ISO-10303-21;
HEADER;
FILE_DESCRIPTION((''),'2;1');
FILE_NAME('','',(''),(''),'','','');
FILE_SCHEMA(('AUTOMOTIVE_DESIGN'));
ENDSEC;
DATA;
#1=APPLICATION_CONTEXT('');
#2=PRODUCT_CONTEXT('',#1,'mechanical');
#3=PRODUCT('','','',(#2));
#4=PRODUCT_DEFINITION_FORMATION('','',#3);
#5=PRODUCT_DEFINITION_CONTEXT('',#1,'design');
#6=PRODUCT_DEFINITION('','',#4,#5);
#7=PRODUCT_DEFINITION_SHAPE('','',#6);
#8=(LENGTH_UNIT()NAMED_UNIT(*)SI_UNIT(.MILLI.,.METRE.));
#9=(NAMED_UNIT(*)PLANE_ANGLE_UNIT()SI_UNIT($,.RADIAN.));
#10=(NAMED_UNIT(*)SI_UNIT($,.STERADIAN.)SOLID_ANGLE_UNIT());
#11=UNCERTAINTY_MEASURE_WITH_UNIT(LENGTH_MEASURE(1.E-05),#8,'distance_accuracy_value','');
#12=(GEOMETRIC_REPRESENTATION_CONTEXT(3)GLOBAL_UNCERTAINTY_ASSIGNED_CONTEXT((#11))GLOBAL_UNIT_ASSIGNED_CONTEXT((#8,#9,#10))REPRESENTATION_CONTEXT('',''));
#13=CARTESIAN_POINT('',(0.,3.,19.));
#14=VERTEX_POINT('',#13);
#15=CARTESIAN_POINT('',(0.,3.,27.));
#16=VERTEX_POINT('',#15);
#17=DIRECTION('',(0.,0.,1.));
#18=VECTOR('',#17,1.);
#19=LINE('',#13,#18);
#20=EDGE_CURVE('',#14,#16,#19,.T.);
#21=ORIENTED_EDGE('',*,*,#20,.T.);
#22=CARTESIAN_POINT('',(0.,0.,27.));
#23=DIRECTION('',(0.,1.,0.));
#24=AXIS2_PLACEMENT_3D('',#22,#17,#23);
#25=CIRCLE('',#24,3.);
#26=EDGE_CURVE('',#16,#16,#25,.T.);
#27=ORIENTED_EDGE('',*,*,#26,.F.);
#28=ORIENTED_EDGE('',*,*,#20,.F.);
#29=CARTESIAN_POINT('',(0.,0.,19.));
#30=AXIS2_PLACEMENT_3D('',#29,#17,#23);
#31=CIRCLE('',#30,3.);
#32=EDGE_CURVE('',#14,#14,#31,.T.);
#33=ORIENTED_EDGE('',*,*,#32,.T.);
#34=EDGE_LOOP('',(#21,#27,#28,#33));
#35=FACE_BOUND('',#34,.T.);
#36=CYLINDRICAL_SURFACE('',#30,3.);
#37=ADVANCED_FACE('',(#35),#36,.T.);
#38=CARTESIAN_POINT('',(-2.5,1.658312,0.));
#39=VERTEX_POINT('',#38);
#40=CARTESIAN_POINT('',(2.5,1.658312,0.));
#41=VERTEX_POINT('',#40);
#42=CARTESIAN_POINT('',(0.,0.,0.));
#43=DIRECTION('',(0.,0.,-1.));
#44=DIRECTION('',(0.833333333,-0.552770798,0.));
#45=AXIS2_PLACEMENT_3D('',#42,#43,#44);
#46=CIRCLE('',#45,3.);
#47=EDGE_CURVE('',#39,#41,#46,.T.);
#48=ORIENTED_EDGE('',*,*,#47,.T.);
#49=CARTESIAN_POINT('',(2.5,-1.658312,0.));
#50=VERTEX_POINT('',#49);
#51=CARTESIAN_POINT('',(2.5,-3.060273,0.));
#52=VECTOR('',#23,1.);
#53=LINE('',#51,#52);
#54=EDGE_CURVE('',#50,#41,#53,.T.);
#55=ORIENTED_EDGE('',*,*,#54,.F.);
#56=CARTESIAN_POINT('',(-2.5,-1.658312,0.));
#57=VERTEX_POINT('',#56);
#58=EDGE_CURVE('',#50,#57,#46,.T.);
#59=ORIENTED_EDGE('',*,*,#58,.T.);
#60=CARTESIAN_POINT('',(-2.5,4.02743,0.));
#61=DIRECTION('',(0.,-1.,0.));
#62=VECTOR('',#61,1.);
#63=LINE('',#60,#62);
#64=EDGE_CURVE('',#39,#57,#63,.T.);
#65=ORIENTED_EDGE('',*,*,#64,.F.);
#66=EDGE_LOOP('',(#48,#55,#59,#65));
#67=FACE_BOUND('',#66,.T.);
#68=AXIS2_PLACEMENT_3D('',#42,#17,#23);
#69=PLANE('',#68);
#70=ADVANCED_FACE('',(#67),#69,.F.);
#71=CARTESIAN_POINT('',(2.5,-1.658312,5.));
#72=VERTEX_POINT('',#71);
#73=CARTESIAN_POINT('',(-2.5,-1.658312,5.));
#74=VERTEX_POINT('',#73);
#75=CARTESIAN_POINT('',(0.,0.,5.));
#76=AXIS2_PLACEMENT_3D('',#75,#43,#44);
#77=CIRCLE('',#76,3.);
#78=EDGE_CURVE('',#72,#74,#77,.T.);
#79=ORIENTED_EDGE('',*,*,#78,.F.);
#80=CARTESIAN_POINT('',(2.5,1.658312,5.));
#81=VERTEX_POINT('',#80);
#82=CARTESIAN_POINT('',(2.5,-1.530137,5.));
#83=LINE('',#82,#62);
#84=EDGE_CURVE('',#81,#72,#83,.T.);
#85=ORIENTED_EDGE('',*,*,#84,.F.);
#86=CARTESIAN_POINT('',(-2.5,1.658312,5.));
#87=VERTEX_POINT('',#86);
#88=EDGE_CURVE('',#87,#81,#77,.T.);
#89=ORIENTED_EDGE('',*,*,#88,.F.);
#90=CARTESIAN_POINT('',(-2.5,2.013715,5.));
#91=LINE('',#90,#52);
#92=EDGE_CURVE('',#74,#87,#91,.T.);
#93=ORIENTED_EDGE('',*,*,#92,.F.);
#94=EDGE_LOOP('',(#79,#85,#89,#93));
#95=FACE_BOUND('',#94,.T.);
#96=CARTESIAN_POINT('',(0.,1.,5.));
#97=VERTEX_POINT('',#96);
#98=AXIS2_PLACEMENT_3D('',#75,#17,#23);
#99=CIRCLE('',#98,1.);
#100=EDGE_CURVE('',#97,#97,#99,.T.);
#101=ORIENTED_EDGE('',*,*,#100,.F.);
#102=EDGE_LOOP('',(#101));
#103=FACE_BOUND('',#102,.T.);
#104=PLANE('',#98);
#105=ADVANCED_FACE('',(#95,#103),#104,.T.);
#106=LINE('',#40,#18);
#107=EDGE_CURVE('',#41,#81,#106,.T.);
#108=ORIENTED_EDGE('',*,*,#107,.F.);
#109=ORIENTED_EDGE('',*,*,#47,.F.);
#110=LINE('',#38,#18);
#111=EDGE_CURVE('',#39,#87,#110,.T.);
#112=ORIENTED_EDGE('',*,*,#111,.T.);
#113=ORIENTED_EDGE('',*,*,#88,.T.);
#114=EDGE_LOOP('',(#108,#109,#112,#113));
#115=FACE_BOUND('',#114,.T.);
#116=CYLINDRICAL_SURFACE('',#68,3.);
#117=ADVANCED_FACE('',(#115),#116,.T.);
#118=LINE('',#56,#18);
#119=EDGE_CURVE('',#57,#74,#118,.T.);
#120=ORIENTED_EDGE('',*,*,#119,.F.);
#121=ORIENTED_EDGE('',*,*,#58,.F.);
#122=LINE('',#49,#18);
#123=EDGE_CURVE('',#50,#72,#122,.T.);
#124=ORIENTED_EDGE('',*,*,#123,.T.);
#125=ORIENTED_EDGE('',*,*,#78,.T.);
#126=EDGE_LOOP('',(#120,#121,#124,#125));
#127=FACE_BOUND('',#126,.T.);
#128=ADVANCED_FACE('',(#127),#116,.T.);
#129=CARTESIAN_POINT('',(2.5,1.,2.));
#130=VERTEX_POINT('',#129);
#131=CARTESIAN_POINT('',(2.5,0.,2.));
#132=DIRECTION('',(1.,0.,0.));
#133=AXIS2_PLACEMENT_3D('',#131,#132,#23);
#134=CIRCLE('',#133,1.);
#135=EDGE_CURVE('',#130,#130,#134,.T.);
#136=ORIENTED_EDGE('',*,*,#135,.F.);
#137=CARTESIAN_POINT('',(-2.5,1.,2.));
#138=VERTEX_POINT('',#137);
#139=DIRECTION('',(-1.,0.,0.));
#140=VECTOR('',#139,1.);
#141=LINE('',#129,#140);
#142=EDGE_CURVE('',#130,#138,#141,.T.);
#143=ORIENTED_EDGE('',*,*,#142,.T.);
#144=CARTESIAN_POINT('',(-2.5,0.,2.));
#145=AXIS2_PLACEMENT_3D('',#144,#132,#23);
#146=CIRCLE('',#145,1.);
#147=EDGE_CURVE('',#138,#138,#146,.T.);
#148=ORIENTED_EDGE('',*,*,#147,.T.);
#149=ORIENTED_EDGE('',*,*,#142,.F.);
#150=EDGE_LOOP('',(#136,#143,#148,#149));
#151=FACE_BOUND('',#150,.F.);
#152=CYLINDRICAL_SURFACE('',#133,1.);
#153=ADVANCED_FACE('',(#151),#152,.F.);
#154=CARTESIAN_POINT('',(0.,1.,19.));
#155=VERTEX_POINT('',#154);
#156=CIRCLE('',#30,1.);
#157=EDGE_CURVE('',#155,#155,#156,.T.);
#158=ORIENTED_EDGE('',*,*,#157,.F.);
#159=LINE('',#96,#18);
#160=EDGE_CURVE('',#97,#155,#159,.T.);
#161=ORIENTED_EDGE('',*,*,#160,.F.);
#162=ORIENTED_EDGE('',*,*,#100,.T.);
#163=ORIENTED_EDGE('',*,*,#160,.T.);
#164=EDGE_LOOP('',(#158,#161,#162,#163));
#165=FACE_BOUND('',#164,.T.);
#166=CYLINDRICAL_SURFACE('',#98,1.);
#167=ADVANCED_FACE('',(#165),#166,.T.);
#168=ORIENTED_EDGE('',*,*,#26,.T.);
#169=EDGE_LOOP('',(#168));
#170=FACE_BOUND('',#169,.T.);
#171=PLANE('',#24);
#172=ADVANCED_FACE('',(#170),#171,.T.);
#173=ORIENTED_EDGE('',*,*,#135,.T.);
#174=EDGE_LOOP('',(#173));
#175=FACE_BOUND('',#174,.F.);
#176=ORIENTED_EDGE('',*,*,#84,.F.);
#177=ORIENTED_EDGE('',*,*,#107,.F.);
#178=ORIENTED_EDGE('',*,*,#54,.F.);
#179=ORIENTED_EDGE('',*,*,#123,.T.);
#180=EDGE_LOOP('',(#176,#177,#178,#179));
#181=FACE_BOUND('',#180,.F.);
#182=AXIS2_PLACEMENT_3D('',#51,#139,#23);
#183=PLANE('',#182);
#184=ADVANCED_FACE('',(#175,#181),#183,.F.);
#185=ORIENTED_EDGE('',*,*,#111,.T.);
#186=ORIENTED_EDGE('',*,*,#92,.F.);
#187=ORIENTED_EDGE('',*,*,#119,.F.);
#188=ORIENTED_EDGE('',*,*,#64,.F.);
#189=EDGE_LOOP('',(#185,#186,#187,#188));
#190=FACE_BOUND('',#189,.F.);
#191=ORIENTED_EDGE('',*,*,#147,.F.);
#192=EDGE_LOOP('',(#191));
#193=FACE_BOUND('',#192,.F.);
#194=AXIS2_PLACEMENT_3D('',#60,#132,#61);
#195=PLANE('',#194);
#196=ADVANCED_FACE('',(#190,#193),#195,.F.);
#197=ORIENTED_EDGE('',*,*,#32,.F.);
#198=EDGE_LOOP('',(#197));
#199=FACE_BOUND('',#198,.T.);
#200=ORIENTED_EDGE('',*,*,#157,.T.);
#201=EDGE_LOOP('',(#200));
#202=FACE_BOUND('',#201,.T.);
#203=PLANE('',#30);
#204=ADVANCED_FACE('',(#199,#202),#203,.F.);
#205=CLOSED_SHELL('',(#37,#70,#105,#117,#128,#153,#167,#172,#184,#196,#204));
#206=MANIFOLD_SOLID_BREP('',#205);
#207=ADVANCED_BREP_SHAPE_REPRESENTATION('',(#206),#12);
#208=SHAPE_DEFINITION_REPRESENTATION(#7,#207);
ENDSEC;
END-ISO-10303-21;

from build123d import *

# Parameters (mm, degrees)
F3_DEPTH = 6
F5_DEPTH = 6
F6_R     = 1
F7_DEPTH = 5.501


with BuildPart() as f1:
    # F0 (on Right) → F1 (revolve)
    with BuildSketch(Plane.YZ):
        Polygon((0, 27), (0, 0), (3, 0), (3, 5), (1, 5), (1, 19), (3, 19), (3, 27), align=None)
    revolve(axis=Axis((0, 0, 14.70128), (0, 0, 1)))

    # F2 (on face) → F3 (cut)
    with BuildSketch(Plane(origin=(0, 0, 0), x_dir=(1, 0, 0), z_dir=(0, 0, -1))):
        with BuildLine():
            Line((2.5, -2.987541), (3.128111, -2.987541))
            Line((3.128111, -2.987541), (3.128111, 3.060273))
            Line((3.128111, 3.060273), (2.5, 3.060273))
            Line((2.5, 3.060273), (2.5, 1.658312))
            ThreePointArc((2.5, 1.658312), (2.872281, 0.866025), (3, 0))
            ThreePointArc((3, 0), (2.872281, -0.866025), (2.5, -1.658312))
            Line((2.5, -1.658312), (2.5, -2.987541))
        make_face()
        with BuildLine():
            Line((2.5, 1.658312), (2.5, -1.658312))
            ThreePointArc((2.5, -1.658312), (2.872281, -0.866025), (3, 0))
            ThreePointArc((3, 0), (2.872281, 0.866025), (2.5, 1.658312))
        make_face()
    extrude(amount=-F3_DEPTH, mode=Mode.SUBTRACT)

    # F4 (on face) → F5 (cut)
    with BuildSketch(Plane(origin=(0, 0, 0), x_dir=(1, 0, 0), z_dir=(0, 0, -1))):
        with BuildLine():
            Line((-5.039785, -4.02743), (-2.5, -4.02743))
            Line((-2.5, -4.02743), (-2.5, -1.658312))
            ThreePointArc((-2.5, -1.658312), (-3, 0), (-2.5, 1.658312))
            Line((-2.5, 1.658312), (-2.5, 4.430752))
            Line((-2.5, 4.430752), (-5.039785, 4.430752))
            Line((-5.039785, 4.430752), (-5.039785, -4.02743))
        make_face()
        with BuildLine():
            ThreePointArc((-2.5, 1.658312), (-3, 0), (-2.5, -1.658312))
            Line((-2.5, -1.658312), (-2.5, 1.658312))
        make_face()
    extrude(amount=-F5_DEPTH, mode=Mode.SUBTRACT)

    # F6 (on face) → F7 (cut, through all)
    with BuildSketch(Plane.YZ.offset(2.5)):
        with Locations((0, 2)):
            Circle(F6_R)
    extrude(amount=-F7_DEPTH, mode=Mode.SUBTRACT)


solid = f1.part
